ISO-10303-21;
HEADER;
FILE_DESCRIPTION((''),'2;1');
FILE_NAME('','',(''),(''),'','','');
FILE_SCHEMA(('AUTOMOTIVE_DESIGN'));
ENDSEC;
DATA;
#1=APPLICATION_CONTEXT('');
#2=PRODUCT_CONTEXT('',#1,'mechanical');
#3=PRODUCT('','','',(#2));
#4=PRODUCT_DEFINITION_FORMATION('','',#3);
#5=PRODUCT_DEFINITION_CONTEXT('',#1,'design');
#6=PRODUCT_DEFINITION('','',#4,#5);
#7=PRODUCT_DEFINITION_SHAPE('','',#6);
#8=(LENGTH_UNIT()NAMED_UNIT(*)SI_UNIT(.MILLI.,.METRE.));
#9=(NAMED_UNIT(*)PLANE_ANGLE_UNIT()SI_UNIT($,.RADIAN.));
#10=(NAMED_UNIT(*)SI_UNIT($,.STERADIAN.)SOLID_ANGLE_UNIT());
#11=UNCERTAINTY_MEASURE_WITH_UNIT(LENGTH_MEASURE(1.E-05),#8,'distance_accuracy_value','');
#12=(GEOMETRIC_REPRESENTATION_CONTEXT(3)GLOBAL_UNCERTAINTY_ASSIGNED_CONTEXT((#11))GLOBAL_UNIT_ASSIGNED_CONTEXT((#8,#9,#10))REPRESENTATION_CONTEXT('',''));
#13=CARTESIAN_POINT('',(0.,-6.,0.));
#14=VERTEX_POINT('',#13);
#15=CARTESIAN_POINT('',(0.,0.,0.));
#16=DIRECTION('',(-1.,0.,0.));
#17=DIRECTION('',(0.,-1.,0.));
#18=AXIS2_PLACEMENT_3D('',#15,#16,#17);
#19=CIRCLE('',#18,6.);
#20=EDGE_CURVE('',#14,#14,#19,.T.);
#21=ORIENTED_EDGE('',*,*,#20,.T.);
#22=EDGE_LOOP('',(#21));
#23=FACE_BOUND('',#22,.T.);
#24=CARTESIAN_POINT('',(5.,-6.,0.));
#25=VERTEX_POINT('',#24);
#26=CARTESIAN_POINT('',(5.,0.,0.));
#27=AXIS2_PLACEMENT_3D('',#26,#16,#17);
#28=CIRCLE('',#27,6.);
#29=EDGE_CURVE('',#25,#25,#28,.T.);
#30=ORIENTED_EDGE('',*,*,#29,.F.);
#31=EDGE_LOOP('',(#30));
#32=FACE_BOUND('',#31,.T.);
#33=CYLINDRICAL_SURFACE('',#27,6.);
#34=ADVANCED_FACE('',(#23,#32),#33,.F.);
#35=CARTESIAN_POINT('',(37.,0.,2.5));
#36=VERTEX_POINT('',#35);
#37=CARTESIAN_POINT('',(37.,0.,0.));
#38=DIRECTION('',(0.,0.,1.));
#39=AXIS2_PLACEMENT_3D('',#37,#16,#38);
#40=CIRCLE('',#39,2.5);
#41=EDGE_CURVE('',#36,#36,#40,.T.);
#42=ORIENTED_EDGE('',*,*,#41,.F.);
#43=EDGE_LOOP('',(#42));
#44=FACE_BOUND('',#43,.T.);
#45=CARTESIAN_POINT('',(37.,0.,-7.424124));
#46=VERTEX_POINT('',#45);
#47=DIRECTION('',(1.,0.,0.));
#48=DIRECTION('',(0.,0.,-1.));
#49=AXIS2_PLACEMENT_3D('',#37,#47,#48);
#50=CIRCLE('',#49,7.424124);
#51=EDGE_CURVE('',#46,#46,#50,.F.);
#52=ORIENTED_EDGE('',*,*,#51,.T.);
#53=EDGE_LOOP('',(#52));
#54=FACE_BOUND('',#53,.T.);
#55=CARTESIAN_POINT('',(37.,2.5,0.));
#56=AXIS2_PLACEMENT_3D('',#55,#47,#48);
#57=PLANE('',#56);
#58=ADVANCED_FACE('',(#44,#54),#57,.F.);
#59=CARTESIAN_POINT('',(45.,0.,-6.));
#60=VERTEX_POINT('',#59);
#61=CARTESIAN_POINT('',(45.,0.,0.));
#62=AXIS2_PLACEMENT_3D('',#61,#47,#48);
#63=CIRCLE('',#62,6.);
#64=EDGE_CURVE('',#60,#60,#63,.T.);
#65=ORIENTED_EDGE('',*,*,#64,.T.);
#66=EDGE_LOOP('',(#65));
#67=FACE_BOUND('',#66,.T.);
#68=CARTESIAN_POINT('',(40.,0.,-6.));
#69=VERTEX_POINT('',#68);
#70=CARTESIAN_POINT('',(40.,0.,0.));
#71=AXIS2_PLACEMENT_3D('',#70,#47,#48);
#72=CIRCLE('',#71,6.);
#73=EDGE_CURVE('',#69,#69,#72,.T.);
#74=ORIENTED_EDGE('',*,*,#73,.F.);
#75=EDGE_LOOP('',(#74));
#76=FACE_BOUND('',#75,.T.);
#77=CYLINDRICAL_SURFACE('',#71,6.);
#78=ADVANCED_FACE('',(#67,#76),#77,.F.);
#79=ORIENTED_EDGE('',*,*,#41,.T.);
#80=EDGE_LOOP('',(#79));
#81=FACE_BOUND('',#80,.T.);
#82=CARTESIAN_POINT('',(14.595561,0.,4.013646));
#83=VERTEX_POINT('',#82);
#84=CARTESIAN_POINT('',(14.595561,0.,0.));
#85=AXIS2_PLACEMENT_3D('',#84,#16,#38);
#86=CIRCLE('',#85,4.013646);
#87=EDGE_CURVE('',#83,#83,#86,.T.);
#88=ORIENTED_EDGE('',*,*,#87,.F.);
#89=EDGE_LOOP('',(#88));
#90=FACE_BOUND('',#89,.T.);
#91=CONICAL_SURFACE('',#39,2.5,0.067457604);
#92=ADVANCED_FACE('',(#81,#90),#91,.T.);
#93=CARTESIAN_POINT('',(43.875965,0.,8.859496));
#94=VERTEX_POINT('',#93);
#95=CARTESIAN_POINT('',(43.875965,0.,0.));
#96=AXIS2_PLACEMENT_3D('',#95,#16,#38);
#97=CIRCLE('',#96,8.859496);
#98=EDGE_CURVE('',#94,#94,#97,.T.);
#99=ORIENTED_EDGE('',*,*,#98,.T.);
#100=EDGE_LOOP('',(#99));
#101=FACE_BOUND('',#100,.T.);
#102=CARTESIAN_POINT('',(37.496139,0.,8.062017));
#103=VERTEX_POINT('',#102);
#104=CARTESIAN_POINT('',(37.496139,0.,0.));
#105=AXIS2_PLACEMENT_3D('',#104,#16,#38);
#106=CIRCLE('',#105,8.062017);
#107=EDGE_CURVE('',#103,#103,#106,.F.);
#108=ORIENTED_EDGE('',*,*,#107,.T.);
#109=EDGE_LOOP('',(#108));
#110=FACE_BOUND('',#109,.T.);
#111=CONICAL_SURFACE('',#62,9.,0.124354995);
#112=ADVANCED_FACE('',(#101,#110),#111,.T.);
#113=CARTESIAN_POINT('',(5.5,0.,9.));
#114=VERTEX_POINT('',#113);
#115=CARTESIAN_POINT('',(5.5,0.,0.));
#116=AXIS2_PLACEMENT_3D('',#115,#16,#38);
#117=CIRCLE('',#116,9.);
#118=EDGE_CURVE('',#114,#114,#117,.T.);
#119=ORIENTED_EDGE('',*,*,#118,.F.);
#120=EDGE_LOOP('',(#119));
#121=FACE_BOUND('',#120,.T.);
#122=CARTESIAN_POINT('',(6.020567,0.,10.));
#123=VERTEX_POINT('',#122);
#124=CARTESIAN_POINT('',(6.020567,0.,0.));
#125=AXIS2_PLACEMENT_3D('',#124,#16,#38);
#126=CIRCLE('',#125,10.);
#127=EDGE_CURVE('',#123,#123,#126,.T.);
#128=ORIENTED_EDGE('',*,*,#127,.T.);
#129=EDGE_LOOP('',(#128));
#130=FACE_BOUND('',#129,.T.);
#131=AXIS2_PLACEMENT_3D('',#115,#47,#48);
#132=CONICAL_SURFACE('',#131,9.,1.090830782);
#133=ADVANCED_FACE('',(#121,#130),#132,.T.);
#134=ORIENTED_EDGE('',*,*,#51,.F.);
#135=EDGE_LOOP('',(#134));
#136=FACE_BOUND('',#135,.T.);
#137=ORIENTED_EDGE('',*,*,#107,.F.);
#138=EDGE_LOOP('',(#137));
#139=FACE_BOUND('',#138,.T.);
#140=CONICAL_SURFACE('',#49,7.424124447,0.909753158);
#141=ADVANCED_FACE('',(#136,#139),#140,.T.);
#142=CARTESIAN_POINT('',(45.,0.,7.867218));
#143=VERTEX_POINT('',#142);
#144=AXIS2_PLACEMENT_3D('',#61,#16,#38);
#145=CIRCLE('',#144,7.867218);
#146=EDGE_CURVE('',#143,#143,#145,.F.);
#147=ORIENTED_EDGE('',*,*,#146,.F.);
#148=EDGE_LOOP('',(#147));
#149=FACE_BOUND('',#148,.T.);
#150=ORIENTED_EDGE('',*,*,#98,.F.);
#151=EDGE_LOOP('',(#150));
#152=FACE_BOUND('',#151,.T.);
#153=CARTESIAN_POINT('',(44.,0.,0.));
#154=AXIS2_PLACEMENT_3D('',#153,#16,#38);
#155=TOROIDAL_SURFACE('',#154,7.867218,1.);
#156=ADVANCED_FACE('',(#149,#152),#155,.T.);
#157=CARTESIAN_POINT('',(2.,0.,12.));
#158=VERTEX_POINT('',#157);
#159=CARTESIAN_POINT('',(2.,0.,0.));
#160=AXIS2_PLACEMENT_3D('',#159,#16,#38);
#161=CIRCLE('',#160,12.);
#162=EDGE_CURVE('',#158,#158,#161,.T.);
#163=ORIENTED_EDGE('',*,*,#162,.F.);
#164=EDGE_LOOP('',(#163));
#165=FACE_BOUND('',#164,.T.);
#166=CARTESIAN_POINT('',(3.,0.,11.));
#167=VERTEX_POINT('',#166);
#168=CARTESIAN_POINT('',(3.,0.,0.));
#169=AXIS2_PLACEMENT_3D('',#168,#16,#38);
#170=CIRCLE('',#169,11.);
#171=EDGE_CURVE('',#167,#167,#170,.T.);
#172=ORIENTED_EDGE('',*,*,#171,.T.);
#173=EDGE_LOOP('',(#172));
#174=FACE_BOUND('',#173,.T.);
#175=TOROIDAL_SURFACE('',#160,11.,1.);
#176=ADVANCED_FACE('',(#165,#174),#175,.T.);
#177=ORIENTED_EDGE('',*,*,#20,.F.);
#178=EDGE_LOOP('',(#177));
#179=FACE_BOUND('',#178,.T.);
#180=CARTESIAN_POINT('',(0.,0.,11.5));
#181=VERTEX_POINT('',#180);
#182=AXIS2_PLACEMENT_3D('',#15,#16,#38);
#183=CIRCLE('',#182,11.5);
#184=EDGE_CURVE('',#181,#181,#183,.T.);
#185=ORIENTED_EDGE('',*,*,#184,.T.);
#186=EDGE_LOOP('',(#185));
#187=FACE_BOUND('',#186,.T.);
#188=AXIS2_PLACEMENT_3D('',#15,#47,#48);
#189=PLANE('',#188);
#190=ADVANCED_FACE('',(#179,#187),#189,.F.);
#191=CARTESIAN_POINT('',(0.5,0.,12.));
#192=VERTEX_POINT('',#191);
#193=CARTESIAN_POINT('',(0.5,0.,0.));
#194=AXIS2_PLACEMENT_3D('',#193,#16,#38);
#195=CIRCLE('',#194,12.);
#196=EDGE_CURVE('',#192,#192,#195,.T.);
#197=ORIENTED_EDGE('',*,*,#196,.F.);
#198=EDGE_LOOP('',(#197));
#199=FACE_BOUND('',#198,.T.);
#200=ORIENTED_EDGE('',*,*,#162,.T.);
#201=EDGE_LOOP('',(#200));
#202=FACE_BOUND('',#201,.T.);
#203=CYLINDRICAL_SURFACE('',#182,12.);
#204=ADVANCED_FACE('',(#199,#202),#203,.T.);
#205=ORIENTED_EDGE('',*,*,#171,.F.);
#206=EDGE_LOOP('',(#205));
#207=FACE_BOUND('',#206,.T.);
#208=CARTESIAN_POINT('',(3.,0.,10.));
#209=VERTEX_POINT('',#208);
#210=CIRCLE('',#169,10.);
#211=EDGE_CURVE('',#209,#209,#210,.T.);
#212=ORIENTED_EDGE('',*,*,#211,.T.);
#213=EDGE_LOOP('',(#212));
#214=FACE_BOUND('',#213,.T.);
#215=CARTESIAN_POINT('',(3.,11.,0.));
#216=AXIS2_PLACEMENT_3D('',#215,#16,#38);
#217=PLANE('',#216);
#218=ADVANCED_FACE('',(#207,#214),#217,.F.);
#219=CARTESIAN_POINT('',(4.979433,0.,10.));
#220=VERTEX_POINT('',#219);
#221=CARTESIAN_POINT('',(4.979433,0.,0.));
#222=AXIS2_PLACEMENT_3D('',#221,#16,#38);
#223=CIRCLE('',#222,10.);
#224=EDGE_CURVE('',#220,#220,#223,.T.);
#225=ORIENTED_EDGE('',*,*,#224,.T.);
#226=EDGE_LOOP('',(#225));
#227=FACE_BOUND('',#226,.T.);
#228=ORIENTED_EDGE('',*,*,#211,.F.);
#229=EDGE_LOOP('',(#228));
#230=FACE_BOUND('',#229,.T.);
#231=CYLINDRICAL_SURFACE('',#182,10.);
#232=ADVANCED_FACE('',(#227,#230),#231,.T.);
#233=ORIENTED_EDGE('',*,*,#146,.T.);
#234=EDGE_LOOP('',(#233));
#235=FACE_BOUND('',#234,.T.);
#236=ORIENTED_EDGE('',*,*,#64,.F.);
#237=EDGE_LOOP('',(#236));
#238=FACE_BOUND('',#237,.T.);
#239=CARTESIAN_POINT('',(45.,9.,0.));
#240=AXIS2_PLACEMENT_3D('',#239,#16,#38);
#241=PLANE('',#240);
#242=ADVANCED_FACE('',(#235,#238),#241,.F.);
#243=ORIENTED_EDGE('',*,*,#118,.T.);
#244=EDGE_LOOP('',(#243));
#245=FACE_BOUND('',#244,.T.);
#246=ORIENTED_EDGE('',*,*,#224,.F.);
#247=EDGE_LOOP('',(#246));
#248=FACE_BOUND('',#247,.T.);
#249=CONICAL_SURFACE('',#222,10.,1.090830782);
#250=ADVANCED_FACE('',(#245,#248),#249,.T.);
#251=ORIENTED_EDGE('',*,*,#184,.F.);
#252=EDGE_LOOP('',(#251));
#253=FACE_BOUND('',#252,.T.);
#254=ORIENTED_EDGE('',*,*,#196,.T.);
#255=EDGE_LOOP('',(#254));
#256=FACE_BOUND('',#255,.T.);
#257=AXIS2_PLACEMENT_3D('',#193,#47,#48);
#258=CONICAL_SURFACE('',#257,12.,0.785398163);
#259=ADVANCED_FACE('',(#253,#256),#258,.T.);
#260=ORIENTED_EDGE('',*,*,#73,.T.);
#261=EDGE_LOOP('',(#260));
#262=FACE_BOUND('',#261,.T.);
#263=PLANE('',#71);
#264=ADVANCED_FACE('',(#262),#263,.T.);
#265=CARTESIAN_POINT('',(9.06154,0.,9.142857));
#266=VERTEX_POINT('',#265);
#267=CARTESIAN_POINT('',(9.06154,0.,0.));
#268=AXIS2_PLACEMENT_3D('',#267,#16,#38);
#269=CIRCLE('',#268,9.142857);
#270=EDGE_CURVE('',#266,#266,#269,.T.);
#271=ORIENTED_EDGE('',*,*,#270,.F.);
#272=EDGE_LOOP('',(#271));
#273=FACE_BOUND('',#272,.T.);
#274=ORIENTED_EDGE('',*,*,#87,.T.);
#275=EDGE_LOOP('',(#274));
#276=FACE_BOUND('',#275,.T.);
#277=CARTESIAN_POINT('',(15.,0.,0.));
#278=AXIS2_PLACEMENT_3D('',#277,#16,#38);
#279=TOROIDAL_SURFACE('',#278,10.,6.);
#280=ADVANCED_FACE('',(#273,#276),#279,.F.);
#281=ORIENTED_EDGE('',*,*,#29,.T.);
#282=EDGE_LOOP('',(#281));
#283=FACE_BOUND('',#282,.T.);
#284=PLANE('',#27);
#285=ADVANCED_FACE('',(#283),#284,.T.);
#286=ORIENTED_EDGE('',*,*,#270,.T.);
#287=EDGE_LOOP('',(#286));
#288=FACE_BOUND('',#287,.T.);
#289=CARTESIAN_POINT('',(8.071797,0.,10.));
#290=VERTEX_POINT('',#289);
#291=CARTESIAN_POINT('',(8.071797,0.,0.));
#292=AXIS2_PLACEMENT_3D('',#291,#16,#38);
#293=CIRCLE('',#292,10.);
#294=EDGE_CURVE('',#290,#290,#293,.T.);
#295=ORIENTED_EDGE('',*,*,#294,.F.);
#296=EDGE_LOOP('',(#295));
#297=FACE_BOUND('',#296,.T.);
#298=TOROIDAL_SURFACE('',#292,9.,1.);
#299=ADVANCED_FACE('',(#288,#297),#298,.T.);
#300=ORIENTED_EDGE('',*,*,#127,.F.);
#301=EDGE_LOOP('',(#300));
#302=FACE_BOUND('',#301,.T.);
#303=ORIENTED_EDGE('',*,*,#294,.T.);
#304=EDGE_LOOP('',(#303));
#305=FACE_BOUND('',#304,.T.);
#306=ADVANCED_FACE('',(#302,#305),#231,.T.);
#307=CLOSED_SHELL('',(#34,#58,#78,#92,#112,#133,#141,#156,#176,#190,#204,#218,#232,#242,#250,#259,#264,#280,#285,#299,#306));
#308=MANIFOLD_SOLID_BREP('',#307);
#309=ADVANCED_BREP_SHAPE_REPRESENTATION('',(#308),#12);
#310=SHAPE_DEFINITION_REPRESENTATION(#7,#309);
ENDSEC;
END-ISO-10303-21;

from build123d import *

# Parameters (mm, degrees)
SKETCH3_R          = 6
CUT_EXTRUDE1_DEPTH = 5
SKETCH4_R          = 6
CUT_EXTRUDE2_DEPTH = 5
FILLET1_R          = 1
CHAMFER1_SIZE      = 0.5
CHAMFER1_SIZE2     = 0.575875553


with BuildPart() as part:
    # Sketch1 → Revolve1 (revolve)
    with BuildSketch(Plane.XY, mode=Mode.PRIVATE) as revolve1_sk:
        with BuildLine():
            Line((0, 0), (0, 11.5))
            Line((0, 11.5), (0.5, 12))
            Line((0.5, 12), (2, 12))
            ThreePointArc((2, 12), (2.707106781, 11.707106781), (3, 11))
            Line((3, 11), (3, 10))
            Line((3, 10), (8.07179677, 10))
            ThreePointArc((8.07179677, 10), (8.72645044, 9.755928946), (9.061540088, 9.142857143))
            ThreePointArc((9.061540088, 9.142857143), (10.921361567, 5.599464972), (14.595561276, 4.013646409))
            Line((14.595561276, 4.013646409), (37, 2.5))
            Line((37, 2.5), (37, 8))
            Line((37, 8), (45, 9))
            Line((45, 9), (45, 0))
            Line((45, 0), (0, 0))
        make_face()
    revolve(revolve1_sk.sketch.rotate(Axis((0, 0, 0), (1, 0, 0)), 90), axis=Axis((0, 0, 0), (1, 0, 0)))  # turned: the seam where the file's is

    # Sketch2 → Cut-Revolve1 (revolve, cut)
    with BuildSketch(Plane.XY, mode=Mode.PRIVATE) as cut_revolve1_sk:
        Polygon((4.979432949, 10), (5.5, 9), (6.020567051, 10), align=None)
    revolve(cut_revolve1_sk.sketch.rotate(Axis((0, 0, 0), (1, 0, 0)), 90), axis=Axis((0, 0, 0), (1, 0, 0)), mode=Mode.SUBTRACT)  # turned: the seam where the file's is

    # Sketch3 → Cut-Extrude1 (cut)
    with BuildSketch(Plane.ZY):
        with Locations(Location((0, 0, 0), (0, 0, 270))):  # turned: the seam where the file's is
            Circle(SKETCH3_R)
    extrude(amount=-CUT_EXTRUDE1_DEPTH, mode=Mode.SUBTRACT)

    # Sketch4 → Cut-Extrude2 (cut)
    with BuildSketch(Plane(origin=(45, 0, 0), x_dir=(0, 0, -1), z_dir=(1, 0, 0))):
        with Locations(Location((0, 0, 0), (0, 0, 270))):  # turned: the seam where the file's is
            Circle(SKETCH4_R)
    extrude(amount=-CUT_EXTRUDE2_DEPTH, mode=Mode.SUBTRACT)

    # Fillet1
    fillet1_edges = [part.edges().sort_by_distance(p)[0] for p in [
        (45, 0, -9),
    ]]
    fillet(fillet1_edges, radius=FILLET1_R)

    # Chamfer1
    chamfer1_edges = [part.edges().sort_by_distance(p)[0] for p in [
        (37, 0, -8),
    ]]
    chamfer1_side = [part.faces().sort_by_distance(p)[0] for p in [
        (40.437982633, 0, -8.429747829),
    ]]
    chamfer(chamfer1_edges, length=CHAMFER1_SIZE, length2=CHAMFER1_SIZE2, reference=chamfer1_side[0])


solid = part.part
